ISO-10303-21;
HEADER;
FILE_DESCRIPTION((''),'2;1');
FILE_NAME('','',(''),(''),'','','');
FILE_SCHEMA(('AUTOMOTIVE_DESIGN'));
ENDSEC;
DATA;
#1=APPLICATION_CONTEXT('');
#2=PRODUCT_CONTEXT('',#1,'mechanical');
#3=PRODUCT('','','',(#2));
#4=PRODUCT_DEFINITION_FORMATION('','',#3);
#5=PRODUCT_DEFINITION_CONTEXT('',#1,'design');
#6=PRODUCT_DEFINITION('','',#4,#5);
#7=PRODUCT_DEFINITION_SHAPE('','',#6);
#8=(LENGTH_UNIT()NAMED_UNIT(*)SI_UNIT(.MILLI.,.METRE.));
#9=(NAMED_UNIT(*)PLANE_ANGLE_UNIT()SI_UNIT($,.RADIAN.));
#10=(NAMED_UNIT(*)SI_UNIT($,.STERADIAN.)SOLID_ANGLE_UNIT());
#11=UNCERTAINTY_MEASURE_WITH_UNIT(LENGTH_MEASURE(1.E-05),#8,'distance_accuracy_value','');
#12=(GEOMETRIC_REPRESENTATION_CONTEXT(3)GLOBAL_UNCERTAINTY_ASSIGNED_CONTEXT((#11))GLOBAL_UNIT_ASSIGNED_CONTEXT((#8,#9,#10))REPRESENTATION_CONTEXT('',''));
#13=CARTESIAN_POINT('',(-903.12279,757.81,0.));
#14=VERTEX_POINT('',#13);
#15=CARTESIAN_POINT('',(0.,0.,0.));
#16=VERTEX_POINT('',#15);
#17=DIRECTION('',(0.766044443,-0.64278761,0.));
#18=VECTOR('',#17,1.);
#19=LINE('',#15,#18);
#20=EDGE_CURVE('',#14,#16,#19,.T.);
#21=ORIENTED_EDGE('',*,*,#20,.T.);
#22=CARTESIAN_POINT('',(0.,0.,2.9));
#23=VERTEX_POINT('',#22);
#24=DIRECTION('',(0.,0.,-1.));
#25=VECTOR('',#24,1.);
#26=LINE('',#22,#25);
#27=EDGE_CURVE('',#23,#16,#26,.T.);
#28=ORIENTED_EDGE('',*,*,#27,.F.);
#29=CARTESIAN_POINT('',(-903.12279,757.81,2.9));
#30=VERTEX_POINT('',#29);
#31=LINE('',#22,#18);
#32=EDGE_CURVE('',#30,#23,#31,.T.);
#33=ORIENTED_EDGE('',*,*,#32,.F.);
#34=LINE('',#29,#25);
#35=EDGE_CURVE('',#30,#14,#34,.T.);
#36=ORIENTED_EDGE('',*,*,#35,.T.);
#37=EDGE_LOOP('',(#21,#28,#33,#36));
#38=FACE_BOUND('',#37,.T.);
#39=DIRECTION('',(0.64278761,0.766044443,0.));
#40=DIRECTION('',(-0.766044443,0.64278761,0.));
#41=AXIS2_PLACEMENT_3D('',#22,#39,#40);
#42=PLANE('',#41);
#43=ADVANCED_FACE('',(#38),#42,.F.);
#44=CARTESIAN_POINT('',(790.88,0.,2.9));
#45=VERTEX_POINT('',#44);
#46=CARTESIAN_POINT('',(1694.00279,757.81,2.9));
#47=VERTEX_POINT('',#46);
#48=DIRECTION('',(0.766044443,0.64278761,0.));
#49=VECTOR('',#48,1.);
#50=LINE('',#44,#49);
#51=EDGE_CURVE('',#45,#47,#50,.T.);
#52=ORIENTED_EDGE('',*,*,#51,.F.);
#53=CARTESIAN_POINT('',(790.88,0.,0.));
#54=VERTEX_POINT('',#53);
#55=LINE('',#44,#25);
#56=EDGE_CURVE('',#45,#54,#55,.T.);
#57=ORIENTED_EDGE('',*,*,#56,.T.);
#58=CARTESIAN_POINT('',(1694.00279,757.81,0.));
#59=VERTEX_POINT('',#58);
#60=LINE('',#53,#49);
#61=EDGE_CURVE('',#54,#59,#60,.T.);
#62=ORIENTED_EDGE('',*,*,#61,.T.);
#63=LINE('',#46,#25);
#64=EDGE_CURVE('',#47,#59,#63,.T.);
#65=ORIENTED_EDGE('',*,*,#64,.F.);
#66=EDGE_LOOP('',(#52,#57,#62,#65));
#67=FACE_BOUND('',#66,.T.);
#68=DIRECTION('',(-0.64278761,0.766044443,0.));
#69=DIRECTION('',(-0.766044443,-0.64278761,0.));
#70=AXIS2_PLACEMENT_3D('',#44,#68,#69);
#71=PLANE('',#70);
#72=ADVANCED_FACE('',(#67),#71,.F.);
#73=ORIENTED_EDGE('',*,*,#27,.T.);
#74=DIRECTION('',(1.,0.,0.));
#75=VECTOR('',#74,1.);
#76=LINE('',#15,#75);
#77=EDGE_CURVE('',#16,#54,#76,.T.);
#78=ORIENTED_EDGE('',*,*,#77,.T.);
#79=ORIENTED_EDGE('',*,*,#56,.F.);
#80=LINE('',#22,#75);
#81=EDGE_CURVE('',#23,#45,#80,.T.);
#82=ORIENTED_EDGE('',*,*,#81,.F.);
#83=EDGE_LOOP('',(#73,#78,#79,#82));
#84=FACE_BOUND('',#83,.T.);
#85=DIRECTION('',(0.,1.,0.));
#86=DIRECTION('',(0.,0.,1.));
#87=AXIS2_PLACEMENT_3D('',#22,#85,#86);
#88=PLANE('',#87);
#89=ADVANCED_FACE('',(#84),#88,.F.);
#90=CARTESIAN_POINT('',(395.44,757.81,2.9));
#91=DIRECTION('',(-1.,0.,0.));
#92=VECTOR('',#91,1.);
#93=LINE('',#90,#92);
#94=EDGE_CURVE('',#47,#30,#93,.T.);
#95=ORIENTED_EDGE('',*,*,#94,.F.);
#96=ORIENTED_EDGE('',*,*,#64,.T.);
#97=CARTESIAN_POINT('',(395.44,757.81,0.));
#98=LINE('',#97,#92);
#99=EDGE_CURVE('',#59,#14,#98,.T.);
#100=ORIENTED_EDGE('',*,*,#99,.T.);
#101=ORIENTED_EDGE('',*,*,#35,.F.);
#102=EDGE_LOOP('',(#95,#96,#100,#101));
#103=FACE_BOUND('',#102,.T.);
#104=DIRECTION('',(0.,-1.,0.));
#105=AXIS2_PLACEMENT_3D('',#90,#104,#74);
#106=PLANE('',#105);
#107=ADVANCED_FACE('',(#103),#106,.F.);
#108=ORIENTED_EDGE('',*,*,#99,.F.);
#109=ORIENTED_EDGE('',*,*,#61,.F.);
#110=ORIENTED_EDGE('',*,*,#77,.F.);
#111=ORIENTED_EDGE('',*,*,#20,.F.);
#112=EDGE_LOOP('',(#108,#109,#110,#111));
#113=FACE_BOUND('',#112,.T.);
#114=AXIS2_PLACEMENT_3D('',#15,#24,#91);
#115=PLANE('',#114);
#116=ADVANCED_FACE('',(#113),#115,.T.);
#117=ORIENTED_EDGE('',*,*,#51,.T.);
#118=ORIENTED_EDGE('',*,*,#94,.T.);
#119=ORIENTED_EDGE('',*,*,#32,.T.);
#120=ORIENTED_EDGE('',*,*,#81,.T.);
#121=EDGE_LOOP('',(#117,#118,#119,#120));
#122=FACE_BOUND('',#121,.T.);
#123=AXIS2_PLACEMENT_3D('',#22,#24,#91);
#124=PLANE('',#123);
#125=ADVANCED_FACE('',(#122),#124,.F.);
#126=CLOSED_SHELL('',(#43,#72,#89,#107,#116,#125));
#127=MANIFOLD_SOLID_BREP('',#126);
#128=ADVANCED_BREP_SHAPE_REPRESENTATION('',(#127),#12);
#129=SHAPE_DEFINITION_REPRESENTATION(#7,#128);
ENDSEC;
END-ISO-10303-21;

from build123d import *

# Parameters (mm, degrees)
SALIENTE_EXTRUIR1_DEPTH = 2.9


with BuildPart() as part:
    # Croquis1 → Saliente-Extruir1 (new body)
    with BuildSketch(Plane.XY):
        Polygon((0, 0), (790.88, 0), (1694.002790004, 757.81), (395.44, 757.81), (-903.122790004, 757.81), align=None)
    extrude(amount=SALIENTE_EXTRUIR1_DEPTH)


solid = part.part
